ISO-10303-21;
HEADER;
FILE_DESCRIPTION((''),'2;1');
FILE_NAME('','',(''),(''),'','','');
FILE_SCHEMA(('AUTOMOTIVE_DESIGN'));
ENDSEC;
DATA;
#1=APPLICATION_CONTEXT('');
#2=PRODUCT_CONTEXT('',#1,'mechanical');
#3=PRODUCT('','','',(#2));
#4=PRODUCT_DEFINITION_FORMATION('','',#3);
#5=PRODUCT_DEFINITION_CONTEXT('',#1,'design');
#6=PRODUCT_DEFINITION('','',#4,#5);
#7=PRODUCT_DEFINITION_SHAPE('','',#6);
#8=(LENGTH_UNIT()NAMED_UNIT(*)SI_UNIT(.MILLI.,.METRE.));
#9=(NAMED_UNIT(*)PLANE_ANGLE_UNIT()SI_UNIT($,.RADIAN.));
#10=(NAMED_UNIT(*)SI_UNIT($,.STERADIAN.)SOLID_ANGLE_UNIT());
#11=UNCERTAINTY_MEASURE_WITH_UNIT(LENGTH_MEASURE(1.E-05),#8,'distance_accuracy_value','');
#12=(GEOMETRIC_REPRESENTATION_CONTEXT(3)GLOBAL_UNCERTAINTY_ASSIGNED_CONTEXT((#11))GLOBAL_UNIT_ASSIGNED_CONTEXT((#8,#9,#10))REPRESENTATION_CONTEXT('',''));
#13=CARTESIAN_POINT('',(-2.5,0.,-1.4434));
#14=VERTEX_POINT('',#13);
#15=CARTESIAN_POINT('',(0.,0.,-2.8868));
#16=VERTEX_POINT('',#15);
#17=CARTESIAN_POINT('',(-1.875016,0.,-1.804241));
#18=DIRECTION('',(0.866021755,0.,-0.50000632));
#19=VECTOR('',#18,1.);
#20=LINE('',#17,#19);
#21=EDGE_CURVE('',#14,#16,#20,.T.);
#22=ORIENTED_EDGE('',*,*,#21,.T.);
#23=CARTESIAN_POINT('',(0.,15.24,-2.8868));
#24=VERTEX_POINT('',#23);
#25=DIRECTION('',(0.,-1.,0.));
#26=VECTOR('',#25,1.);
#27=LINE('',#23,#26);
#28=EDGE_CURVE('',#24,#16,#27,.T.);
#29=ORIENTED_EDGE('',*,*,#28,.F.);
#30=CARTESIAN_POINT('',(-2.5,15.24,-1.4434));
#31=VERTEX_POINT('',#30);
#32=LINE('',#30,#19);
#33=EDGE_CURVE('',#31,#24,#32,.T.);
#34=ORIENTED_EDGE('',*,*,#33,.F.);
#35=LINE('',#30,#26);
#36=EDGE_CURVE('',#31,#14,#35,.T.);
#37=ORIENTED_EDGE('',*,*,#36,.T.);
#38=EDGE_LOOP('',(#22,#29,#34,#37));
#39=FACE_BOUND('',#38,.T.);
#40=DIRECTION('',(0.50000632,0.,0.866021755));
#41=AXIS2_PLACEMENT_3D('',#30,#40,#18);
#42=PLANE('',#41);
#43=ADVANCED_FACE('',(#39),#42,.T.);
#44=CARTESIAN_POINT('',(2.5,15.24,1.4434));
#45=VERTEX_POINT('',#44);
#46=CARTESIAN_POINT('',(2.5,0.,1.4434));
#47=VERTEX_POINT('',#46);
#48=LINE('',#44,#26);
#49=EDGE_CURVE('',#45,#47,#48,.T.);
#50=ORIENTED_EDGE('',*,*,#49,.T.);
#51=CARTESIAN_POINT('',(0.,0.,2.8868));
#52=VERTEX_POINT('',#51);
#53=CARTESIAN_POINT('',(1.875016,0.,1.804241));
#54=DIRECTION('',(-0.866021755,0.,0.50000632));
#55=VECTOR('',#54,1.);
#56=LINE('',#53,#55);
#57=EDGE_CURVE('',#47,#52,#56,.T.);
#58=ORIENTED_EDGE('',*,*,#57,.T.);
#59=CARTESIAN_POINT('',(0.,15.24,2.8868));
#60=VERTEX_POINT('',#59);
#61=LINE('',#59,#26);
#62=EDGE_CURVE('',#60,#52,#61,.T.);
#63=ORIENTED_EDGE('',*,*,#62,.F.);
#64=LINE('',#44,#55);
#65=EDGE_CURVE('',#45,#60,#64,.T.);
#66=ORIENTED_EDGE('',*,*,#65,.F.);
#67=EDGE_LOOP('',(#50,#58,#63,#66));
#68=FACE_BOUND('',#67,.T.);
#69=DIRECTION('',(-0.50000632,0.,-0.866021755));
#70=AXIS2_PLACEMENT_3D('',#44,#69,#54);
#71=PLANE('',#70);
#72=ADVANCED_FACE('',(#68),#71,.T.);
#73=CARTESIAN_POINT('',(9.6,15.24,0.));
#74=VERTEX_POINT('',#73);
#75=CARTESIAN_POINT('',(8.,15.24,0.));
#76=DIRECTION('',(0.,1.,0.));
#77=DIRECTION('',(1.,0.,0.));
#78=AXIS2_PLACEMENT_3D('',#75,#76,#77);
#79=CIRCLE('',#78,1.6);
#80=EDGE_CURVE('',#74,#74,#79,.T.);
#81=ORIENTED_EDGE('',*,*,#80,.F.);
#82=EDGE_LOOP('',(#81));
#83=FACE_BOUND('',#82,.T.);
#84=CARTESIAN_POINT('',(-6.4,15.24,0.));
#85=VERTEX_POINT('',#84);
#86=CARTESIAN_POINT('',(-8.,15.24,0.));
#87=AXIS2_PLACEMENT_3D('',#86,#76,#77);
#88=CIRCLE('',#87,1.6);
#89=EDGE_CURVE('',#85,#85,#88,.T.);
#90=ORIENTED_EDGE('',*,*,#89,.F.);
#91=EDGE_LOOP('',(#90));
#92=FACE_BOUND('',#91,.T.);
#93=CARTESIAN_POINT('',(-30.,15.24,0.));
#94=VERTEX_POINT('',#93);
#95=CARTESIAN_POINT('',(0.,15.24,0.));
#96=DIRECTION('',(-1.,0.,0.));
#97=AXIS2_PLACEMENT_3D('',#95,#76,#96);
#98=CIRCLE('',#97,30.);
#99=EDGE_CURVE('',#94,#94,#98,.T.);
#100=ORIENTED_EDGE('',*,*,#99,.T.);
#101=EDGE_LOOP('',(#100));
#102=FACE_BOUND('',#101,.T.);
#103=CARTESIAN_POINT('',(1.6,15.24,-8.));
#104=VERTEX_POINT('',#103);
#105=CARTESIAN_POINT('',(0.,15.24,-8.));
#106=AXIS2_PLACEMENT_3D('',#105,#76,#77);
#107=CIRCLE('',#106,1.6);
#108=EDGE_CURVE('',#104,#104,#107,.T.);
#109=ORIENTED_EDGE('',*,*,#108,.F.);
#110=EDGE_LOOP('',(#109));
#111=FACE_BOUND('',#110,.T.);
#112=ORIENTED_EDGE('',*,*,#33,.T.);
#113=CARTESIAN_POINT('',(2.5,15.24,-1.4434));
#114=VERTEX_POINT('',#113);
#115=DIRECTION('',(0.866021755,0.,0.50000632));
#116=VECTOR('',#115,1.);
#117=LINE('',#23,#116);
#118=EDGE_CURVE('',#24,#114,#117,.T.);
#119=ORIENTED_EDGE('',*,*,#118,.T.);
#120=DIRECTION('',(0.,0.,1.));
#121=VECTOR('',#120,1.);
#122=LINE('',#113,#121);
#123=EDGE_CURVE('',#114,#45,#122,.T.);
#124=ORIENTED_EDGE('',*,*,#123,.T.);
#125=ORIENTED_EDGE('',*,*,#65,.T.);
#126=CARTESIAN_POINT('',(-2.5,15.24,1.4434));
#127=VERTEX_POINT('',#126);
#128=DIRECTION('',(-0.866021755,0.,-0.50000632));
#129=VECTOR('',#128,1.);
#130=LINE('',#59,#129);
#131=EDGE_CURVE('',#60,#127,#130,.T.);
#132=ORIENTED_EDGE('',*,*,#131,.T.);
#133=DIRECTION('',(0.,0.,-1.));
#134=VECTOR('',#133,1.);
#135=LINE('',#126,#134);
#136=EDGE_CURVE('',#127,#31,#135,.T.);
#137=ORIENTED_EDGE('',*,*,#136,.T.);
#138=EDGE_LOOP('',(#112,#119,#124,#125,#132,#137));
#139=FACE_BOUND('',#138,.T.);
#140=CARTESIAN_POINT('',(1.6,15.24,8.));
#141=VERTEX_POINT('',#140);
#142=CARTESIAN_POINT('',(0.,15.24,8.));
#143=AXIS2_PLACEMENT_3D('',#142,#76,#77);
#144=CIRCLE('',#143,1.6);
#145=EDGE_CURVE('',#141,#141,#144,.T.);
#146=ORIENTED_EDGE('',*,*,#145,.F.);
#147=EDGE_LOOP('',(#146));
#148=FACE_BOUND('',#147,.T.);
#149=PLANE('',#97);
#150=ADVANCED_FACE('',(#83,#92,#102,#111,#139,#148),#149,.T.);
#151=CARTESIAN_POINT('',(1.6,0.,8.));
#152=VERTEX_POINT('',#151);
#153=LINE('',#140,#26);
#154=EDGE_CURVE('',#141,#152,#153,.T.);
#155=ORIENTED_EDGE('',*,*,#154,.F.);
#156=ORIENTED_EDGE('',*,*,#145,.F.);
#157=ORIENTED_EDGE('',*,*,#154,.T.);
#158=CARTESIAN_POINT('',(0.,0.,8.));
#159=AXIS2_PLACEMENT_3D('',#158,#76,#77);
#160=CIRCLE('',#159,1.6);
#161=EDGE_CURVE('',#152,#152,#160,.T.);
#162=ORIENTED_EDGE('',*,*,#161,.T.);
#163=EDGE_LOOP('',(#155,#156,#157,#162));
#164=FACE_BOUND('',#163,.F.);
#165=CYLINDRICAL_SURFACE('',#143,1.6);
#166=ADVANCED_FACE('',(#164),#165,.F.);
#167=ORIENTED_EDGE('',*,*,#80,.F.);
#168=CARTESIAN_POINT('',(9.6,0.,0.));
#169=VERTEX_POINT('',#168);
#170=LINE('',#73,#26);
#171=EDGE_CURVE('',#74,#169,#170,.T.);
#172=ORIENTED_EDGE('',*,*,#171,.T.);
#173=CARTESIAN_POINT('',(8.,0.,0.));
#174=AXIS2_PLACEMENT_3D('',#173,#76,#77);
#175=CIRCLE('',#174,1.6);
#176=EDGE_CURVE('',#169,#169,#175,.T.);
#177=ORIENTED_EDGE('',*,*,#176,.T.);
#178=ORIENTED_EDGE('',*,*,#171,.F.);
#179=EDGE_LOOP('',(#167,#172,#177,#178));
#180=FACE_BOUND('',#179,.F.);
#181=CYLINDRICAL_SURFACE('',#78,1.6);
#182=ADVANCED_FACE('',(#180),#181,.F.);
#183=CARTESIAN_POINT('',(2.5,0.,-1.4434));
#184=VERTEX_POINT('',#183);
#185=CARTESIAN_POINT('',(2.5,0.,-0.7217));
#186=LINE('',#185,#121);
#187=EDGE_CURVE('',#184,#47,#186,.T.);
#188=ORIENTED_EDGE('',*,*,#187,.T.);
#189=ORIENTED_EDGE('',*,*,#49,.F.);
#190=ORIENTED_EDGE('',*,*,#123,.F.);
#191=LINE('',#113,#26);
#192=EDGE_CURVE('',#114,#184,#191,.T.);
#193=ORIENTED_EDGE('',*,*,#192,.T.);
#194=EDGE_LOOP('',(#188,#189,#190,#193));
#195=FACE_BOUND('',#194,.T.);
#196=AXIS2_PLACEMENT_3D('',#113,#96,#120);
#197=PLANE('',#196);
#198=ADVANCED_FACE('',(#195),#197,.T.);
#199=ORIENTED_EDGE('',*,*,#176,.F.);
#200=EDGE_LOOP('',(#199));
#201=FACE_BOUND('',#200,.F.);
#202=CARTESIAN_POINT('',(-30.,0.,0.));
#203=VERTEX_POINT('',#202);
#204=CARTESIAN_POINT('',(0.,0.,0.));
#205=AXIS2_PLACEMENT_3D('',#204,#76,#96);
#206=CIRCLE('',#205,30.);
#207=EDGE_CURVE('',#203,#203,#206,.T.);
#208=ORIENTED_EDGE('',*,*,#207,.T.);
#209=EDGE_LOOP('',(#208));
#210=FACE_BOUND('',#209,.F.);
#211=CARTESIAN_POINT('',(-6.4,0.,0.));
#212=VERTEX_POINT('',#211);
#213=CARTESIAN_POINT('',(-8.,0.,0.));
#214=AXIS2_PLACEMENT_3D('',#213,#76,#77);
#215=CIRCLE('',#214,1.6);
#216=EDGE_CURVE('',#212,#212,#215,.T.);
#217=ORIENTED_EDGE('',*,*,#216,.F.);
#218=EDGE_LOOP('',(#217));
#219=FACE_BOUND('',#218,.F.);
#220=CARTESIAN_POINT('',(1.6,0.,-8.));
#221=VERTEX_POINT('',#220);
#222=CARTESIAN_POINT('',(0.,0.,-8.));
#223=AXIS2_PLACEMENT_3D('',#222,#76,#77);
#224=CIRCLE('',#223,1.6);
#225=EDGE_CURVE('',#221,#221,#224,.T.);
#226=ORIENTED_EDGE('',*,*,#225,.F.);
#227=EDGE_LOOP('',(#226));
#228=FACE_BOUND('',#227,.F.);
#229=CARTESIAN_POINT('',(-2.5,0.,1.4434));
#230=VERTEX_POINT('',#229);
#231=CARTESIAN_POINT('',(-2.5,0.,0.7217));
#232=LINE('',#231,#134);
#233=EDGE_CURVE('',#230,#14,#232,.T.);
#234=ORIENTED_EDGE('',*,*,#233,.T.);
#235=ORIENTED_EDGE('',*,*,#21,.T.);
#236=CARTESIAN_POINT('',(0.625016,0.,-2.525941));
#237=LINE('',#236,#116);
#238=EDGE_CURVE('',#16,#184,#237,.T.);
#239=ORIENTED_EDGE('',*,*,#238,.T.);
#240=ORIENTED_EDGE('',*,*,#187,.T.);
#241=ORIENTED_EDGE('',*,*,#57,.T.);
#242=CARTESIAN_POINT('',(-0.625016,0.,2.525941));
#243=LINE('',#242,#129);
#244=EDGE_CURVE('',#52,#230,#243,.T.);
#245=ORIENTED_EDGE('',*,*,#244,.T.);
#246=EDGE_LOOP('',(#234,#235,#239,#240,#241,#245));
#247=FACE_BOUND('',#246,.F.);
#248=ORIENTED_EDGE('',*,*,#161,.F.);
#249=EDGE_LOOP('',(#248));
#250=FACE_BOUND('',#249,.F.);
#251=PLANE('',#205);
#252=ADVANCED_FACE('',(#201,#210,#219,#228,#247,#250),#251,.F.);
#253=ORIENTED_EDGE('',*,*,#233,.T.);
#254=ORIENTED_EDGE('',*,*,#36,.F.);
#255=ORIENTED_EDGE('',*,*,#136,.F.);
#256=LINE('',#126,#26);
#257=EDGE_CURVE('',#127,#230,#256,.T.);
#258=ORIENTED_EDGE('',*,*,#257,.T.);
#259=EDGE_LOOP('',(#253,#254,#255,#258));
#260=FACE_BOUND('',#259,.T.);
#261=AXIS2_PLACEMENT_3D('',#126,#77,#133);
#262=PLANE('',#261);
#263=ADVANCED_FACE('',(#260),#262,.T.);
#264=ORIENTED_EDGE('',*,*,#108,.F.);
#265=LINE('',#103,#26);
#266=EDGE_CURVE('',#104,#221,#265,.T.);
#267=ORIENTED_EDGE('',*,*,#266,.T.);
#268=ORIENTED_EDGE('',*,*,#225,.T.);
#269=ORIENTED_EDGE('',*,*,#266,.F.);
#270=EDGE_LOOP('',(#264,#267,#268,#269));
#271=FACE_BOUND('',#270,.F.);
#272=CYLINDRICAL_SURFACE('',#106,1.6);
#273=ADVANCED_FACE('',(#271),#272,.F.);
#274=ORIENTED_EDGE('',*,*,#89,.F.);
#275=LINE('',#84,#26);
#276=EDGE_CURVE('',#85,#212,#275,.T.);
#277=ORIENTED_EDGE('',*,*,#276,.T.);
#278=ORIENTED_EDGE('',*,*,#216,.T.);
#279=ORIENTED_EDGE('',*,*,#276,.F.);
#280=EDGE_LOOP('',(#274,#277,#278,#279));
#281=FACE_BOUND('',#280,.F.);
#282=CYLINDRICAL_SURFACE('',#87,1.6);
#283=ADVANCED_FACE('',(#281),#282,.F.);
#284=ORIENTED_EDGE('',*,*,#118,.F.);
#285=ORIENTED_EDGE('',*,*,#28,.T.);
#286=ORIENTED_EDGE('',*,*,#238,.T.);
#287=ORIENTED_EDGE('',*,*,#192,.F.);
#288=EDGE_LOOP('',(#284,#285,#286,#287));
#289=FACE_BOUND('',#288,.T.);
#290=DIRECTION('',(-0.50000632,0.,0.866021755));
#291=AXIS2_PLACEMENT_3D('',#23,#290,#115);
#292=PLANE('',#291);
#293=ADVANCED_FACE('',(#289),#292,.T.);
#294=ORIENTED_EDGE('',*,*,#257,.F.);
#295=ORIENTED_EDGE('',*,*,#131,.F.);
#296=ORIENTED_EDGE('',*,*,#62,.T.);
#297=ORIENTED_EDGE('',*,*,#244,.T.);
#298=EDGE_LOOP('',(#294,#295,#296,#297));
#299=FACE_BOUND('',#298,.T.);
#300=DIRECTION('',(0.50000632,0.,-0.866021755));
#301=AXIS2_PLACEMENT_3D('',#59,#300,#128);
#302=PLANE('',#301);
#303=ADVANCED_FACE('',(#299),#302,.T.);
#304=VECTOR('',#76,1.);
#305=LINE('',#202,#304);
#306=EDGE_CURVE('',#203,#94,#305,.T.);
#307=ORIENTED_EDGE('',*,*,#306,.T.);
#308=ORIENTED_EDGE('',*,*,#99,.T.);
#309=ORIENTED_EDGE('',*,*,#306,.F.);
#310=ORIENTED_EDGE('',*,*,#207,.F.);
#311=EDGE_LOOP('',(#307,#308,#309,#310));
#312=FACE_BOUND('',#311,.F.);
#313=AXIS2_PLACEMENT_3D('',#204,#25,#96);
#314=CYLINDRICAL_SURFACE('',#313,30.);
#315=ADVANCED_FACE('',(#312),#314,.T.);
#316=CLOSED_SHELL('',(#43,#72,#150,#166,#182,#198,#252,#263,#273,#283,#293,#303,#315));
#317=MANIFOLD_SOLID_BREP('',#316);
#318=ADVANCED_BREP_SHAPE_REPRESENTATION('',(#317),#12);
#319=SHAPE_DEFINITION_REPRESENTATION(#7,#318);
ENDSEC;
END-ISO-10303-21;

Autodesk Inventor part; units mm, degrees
ref_plane "YZ Plane" through (0, 0, 0) normal (1, 0, 0) x (0, 1, 0)
ref_plane "XZ Plane" through (0, 0, 0) normal (0, 1, 0) x (-1, 0, 0)
ref_plane "XY Plane" through (0, 0, 0) normal (0, 0, 1) x (1, 0, 0)
sketch "Sketch1" plane through (0, 0, 0) normal (0, 1, 0) x (-1, 0, 0)
  circle A0 centre (0, 0) radius 30
  dimension "d0" = 60
extrude "Extrusion1" add sketch "Sketch1" along normal blind 15.24
sketch "Sketch2" plane through (0, 15.24, 0) normal (0, 1, 0) x (1, 0, 0)
  circle A0 centre (0, 0) radius 8 construction
  circle A1 centre (-8, 0) radius 1.6
  circle A2 centre (0, -8) radius 1.6
  circle A3 centre (8, 0) radius 1.6
  circle A4 centre (0, 8) radius 1.6
  circle A5 centre (0, 0) radius 2.5 construction
  line L0 (-2.5, 1.4434) -> (0, 2.8868)
  line L1 (0, 2.8868) -> (2.5, 1.4434)
  line L2 (2.5, 1.4434) -> (2.5, -1.4434)
  line L3 (2.5, -1.4434) -> (0, -2.8868)
  line L4 (0, -2.8868) -> (-2.5, -1.4434)
  line L5 (-2.5, -1.4434) -> (-2.5, 1.4434)
  point P0 (-2.5, 0)
  dimension "d3" = 16
  dimension "d9" = 5
  dimension "d4" = 3.2
  dimension "d7" = 360
extrude "Extrusion2" cut sketch "Sketch2" against normal through all
properties part number "60mm_ThinWheel"
